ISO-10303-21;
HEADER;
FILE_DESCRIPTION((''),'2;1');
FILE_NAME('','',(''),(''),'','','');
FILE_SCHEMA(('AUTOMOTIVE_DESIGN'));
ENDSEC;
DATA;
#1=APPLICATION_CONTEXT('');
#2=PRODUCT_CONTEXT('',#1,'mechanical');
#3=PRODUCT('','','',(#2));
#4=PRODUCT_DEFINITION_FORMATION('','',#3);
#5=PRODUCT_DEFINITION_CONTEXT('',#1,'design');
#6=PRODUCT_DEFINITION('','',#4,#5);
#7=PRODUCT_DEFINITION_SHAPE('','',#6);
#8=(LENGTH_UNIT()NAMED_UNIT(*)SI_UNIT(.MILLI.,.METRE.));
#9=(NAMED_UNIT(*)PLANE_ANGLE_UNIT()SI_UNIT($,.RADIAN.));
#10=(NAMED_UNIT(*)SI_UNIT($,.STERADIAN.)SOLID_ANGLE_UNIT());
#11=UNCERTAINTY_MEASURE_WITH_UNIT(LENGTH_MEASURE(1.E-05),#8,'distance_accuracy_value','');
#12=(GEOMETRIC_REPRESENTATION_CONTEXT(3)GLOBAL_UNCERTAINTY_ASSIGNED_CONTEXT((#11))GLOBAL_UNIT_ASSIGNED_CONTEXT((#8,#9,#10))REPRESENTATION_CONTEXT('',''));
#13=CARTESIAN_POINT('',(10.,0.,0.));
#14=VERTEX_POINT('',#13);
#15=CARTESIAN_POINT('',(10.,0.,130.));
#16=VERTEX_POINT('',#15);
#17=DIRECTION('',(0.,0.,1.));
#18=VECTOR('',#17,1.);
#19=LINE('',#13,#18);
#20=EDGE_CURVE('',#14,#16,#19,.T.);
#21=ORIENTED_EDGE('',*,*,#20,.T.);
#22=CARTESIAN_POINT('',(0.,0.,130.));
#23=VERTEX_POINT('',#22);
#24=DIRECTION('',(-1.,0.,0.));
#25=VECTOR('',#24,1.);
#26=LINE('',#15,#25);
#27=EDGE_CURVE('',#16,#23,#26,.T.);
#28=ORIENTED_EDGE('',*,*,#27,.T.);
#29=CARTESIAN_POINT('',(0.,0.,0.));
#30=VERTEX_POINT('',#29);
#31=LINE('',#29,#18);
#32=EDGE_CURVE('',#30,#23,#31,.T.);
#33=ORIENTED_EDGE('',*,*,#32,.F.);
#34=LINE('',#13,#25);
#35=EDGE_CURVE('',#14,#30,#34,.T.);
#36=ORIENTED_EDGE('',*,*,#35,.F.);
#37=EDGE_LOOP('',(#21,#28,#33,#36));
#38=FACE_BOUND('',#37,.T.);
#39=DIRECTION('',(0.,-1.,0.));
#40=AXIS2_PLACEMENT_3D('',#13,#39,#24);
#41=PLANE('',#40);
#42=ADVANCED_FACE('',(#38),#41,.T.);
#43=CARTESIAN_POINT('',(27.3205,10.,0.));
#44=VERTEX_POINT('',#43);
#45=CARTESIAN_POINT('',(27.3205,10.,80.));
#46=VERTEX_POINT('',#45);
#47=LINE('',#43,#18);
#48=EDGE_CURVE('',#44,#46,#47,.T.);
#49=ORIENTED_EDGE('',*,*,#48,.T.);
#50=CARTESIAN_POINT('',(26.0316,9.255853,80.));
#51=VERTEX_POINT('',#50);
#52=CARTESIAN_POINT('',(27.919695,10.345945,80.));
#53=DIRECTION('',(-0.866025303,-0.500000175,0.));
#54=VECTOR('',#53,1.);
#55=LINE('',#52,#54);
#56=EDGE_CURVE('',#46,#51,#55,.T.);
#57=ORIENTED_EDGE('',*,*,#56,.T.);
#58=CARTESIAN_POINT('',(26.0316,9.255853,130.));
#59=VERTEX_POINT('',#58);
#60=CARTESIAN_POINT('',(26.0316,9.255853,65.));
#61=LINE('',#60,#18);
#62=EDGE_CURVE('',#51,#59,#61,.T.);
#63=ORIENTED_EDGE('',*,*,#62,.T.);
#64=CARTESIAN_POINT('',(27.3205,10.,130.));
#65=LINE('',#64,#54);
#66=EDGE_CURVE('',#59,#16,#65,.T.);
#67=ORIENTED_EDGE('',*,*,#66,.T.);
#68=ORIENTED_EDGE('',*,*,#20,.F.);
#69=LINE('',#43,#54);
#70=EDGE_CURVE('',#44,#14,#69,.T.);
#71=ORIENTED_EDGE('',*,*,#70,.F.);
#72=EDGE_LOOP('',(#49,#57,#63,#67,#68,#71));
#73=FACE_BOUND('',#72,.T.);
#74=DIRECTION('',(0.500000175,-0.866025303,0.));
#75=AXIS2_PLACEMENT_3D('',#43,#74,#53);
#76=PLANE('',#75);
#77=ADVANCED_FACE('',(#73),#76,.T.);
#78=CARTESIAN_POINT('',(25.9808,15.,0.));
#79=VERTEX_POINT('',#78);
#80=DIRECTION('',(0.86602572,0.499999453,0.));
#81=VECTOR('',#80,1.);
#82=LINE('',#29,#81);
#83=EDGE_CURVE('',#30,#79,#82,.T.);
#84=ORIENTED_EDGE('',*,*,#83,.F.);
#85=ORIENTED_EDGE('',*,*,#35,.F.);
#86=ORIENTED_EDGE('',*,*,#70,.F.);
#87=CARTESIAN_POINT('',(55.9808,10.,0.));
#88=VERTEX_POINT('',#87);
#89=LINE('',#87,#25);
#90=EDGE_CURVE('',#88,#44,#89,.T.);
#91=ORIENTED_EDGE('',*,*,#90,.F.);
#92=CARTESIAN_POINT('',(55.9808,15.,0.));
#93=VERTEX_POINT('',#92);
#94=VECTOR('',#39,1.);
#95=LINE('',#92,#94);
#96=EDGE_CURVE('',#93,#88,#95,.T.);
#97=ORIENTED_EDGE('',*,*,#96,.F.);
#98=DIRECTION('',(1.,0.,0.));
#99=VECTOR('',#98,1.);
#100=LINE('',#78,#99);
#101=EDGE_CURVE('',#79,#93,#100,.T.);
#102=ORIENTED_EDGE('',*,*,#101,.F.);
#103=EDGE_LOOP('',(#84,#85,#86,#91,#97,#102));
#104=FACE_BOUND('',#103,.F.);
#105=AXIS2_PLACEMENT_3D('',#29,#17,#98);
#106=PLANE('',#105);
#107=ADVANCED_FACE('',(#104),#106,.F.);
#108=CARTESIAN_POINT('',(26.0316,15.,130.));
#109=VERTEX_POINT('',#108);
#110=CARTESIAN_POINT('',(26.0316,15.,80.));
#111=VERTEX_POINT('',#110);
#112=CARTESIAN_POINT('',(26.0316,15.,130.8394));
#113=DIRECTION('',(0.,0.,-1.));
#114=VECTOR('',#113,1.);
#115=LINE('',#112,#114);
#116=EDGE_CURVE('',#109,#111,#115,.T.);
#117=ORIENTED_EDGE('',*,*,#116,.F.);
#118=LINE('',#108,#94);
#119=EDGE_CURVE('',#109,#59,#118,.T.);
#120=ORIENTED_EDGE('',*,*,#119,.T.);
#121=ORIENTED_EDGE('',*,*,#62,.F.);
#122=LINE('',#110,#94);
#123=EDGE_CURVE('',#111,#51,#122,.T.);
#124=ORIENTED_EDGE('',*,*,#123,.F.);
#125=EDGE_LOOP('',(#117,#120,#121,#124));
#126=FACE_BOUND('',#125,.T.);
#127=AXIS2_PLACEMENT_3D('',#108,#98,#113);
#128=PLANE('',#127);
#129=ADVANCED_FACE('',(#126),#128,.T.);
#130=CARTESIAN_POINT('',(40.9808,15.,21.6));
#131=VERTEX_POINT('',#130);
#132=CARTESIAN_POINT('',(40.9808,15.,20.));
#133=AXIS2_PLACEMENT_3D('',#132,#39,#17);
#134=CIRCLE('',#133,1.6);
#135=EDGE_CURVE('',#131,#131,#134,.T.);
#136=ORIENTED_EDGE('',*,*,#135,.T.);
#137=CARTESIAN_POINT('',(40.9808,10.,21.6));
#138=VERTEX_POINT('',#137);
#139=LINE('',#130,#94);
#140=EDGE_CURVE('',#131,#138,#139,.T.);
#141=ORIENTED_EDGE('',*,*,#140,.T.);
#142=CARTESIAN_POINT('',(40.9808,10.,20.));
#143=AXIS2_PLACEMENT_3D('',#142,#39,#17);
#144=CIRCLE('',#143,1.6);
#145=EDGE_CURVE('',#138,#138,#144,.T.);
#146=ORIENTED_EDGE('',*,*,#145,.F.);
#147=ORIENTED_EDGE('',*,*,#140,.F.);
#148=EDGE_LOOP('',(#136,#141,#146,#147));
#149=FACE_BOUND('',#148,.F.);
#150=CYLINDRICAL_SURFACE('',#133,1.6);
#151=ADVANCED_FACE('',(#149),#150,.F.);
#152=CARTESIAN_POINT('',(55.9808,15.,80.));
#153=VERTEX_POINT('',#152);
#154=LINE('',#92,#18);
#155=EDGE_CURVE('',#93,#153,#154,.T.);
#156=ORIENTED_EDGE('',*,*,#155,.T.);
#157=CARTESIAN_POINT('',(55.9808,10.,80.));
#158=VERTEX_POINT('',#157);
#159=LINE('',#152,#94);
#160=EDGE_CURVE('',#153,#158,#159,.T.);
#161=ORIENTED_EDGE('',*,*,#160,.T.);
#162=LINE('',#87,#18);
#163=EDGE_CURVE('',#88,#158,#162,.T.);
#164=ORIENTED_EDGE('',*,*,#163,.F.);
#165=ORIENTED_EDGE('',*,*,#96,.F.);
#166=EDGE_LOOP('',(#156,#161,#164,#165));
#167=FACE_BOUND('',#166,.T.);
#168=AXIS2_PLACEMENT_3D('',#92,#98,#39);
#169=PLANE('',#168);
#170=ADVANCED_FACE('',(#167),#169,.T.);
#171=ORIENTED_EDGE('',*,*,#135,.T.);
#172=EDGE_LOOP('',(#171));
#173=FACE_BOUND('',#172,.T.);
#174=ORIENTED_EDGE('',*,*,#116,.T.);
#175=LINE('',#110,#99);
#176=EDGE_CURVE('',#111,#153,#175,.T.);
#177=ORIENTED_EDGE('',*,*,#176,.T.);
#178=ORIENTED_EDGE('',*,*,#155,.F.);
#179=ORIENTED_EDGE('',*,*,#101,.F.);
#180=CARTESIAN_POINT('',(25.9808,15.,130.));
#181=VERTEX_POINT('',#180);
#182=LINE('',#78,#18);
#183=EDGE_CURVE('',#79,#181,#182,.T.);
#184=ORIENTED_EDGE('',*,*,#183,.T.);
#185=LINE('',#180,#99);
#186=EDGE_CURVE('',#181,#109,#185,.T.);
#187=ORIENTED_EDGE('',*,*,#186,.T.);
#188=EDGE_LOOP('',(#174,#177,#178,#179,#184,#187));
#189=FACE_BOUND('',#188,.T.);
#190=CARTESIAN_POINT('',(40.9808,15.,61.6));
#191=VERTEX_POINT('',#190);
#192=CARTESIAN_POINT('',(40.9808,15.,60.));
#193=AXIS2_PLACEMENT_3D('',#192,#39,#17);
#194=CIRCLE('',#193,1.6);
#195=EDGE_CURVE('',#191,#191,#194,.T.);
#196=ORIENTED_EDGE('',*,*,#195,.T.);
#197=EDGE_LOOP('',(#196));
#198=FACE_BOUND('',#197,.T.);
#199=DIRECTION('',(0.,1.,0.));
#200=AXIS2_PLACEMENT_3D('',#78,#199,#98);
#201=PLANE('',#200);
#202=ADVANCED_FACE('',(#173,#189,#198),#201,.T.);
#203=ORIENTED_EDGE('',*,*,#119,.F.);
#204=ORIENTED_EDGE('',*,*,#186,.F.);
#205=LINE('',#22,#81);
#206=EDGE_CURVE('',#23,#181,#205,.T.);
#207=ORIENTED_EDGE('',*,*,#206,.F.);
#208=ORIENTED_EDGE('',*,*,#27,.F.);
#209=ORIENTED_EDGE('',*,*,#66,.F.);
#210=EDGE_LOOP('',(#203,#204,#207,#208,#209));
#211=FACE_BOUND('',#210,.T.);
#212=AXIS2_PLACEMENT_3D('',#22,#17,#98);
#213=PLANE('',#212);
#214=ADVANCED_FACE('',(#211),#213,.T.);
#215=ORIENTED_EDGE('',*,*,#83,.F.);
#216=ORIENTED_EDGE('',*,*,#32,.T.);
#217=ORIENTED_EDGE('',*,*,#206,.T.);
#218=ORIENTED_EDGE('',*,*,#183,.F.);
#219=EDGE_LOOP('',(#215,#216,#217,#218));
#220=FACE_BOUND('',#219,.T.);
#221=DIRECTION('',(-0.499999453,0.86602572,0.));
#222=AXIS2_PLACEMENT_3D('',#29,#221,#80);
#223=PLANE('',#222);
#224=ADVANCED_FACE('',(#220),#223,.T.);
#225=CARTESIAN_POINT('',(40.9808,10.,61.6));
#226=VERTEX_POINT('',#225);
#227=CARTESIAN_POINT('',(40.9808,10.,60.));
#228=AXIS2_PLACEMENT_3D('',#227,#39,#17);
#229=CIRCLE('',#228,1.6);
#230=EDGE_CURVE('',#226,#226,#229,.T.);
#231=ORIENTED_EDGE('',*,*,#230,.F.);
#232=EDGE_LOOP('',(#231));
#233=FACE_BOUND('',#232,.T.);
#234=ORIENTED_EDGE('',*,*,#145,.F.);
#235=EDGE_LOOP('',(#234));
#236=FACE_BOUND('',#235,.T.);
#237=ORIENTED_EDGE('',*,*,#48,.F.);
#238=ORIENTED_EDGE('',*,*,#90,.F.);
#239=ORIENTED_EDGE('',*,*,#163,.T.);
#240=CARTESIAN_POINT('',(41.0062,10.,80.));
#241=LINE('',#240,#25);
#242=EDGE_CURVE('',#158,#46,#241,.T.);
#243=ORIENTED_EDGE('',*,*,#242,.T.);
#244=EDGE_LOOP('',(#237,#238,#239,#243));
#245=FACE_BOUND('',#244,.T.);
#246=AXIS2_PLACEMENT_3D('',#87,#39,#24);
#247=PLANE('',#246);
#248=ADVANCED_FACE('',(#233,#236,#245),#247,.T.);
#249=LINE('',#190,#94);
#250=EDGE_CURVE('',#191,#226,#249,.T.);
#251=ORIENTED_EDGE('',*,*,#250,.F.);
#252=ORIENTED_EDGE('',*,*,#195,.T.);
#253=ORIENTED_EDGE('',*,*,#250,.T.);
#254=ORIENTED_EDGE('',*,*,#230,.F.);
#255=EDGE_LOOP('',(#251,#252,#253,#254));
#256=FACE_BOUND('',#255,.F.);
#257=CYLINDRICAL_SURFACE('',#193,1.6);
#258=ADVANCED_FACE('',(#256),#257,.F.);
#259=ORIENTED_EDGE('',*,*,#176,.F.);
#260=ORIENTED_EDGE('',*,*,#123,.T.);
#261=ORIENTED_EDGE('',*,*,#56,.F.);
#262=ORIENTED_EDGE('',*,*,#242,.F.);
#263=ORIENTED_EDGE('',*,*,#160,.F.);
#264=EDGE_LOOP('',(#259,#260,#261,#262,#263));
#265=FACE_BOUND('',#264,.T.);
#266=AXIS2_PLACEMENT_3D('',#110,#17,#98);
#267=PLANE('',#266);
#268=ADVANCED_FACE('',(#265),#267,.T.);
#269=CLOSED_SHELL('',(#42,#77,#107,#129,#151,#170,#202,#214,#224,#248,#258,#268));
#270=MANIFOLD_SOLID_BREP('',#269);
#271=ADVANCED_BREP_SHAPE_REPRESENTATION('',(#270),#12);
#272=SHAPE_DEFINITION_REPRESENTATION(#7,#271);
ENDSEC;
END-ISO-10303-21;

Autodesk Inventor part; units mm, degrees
ref_plane "YZ Plane" through (0, 0, 0) normal (1, 0, 0) x (0, 1, 0)
ref_plane "XZ Plane" through (0, 0, 0) normal (0, 1, 0) x (-1, 0, 0)
ref_plane "XY Plane" through (0, 0, 0) normal (0, 0, 1) x (1, 0, 0)
sketch "スケッチ1" plane through (0, 0, 0) normal (0, 0, 1) x (1, 0, 0)
  line L0 (0, 0) -> (25.9808, 15)
  line L1 (25.9808, 15) -> (55.9808, 15)
  line L2 (55.9808, 15) -> (55.9808, 10)
  line L3 (55.9808, 10) -> (27.3205, 10)
  line L4 (27.3205, 10) -> (10, 0)
  line L5 (10, 0) -> (0, 0)
  dimension "d0" = 15
  dimension "d1" = 5
  dimension "d2" = 5
  dimension "d3" = 30
  dimension "d21" = 30
extrude "押し出し1" add sketch "スケッチ1" along normal blind 130
sketch "スケッチ2" plane through (25.9808, 15, 0) normal (0, 1, 0) x (1, 0, 0)
  line L0 (0.0508, -80) -> (34.0508, -80)
  line L1 (34.0508, -80) -> (34.0508, -130.8394)
  line L2 (34.0508, -130.8394) -> (0.0508, -130.8394)
  line L3 (0.0508, -130.8394) -> (0.0508, -80)
  line L4 (30, 0) -> (0, 0) projected
  line L5 (30, -130) -> (0, -130) projected
  point P0 (-25.9808, 0)
  point P1 (15, 0)
  point P2 (17.0508, -130.8394)
  point P3 (15, -130)
  dimension "d7" = 80
  dimension "d22" = 34
extrude "押し出し2" cut sketch "スケッチ2" against normal blind 300
sketch "スケッチ3" plane through (25.9808, 15, 0) normal (0, 1, 0) x (1, 0, 0)
  line L0 (30, 0) -> (30, -130) projected
  line L1 (30, 0) -> (0, 0) projected
  line L2 (30, -130) -> (0, -130) projected
  point P0 (-25.9808, 0)
  point P1 (15, -20)
  point P2 (30, -80)
  point P3 (15, -60)
  point P4 (15, -130)
  dimension "d12" = 15
  dimension "d13" = 20
  dimension "d23" = 40
hole "穴1" at (40.9808, 15, 20) at (40.9808, 15, 60) direction (0, -1, 0) diameter 3.2 depth 10 tip angle 118
properties part number "バンパー1"
